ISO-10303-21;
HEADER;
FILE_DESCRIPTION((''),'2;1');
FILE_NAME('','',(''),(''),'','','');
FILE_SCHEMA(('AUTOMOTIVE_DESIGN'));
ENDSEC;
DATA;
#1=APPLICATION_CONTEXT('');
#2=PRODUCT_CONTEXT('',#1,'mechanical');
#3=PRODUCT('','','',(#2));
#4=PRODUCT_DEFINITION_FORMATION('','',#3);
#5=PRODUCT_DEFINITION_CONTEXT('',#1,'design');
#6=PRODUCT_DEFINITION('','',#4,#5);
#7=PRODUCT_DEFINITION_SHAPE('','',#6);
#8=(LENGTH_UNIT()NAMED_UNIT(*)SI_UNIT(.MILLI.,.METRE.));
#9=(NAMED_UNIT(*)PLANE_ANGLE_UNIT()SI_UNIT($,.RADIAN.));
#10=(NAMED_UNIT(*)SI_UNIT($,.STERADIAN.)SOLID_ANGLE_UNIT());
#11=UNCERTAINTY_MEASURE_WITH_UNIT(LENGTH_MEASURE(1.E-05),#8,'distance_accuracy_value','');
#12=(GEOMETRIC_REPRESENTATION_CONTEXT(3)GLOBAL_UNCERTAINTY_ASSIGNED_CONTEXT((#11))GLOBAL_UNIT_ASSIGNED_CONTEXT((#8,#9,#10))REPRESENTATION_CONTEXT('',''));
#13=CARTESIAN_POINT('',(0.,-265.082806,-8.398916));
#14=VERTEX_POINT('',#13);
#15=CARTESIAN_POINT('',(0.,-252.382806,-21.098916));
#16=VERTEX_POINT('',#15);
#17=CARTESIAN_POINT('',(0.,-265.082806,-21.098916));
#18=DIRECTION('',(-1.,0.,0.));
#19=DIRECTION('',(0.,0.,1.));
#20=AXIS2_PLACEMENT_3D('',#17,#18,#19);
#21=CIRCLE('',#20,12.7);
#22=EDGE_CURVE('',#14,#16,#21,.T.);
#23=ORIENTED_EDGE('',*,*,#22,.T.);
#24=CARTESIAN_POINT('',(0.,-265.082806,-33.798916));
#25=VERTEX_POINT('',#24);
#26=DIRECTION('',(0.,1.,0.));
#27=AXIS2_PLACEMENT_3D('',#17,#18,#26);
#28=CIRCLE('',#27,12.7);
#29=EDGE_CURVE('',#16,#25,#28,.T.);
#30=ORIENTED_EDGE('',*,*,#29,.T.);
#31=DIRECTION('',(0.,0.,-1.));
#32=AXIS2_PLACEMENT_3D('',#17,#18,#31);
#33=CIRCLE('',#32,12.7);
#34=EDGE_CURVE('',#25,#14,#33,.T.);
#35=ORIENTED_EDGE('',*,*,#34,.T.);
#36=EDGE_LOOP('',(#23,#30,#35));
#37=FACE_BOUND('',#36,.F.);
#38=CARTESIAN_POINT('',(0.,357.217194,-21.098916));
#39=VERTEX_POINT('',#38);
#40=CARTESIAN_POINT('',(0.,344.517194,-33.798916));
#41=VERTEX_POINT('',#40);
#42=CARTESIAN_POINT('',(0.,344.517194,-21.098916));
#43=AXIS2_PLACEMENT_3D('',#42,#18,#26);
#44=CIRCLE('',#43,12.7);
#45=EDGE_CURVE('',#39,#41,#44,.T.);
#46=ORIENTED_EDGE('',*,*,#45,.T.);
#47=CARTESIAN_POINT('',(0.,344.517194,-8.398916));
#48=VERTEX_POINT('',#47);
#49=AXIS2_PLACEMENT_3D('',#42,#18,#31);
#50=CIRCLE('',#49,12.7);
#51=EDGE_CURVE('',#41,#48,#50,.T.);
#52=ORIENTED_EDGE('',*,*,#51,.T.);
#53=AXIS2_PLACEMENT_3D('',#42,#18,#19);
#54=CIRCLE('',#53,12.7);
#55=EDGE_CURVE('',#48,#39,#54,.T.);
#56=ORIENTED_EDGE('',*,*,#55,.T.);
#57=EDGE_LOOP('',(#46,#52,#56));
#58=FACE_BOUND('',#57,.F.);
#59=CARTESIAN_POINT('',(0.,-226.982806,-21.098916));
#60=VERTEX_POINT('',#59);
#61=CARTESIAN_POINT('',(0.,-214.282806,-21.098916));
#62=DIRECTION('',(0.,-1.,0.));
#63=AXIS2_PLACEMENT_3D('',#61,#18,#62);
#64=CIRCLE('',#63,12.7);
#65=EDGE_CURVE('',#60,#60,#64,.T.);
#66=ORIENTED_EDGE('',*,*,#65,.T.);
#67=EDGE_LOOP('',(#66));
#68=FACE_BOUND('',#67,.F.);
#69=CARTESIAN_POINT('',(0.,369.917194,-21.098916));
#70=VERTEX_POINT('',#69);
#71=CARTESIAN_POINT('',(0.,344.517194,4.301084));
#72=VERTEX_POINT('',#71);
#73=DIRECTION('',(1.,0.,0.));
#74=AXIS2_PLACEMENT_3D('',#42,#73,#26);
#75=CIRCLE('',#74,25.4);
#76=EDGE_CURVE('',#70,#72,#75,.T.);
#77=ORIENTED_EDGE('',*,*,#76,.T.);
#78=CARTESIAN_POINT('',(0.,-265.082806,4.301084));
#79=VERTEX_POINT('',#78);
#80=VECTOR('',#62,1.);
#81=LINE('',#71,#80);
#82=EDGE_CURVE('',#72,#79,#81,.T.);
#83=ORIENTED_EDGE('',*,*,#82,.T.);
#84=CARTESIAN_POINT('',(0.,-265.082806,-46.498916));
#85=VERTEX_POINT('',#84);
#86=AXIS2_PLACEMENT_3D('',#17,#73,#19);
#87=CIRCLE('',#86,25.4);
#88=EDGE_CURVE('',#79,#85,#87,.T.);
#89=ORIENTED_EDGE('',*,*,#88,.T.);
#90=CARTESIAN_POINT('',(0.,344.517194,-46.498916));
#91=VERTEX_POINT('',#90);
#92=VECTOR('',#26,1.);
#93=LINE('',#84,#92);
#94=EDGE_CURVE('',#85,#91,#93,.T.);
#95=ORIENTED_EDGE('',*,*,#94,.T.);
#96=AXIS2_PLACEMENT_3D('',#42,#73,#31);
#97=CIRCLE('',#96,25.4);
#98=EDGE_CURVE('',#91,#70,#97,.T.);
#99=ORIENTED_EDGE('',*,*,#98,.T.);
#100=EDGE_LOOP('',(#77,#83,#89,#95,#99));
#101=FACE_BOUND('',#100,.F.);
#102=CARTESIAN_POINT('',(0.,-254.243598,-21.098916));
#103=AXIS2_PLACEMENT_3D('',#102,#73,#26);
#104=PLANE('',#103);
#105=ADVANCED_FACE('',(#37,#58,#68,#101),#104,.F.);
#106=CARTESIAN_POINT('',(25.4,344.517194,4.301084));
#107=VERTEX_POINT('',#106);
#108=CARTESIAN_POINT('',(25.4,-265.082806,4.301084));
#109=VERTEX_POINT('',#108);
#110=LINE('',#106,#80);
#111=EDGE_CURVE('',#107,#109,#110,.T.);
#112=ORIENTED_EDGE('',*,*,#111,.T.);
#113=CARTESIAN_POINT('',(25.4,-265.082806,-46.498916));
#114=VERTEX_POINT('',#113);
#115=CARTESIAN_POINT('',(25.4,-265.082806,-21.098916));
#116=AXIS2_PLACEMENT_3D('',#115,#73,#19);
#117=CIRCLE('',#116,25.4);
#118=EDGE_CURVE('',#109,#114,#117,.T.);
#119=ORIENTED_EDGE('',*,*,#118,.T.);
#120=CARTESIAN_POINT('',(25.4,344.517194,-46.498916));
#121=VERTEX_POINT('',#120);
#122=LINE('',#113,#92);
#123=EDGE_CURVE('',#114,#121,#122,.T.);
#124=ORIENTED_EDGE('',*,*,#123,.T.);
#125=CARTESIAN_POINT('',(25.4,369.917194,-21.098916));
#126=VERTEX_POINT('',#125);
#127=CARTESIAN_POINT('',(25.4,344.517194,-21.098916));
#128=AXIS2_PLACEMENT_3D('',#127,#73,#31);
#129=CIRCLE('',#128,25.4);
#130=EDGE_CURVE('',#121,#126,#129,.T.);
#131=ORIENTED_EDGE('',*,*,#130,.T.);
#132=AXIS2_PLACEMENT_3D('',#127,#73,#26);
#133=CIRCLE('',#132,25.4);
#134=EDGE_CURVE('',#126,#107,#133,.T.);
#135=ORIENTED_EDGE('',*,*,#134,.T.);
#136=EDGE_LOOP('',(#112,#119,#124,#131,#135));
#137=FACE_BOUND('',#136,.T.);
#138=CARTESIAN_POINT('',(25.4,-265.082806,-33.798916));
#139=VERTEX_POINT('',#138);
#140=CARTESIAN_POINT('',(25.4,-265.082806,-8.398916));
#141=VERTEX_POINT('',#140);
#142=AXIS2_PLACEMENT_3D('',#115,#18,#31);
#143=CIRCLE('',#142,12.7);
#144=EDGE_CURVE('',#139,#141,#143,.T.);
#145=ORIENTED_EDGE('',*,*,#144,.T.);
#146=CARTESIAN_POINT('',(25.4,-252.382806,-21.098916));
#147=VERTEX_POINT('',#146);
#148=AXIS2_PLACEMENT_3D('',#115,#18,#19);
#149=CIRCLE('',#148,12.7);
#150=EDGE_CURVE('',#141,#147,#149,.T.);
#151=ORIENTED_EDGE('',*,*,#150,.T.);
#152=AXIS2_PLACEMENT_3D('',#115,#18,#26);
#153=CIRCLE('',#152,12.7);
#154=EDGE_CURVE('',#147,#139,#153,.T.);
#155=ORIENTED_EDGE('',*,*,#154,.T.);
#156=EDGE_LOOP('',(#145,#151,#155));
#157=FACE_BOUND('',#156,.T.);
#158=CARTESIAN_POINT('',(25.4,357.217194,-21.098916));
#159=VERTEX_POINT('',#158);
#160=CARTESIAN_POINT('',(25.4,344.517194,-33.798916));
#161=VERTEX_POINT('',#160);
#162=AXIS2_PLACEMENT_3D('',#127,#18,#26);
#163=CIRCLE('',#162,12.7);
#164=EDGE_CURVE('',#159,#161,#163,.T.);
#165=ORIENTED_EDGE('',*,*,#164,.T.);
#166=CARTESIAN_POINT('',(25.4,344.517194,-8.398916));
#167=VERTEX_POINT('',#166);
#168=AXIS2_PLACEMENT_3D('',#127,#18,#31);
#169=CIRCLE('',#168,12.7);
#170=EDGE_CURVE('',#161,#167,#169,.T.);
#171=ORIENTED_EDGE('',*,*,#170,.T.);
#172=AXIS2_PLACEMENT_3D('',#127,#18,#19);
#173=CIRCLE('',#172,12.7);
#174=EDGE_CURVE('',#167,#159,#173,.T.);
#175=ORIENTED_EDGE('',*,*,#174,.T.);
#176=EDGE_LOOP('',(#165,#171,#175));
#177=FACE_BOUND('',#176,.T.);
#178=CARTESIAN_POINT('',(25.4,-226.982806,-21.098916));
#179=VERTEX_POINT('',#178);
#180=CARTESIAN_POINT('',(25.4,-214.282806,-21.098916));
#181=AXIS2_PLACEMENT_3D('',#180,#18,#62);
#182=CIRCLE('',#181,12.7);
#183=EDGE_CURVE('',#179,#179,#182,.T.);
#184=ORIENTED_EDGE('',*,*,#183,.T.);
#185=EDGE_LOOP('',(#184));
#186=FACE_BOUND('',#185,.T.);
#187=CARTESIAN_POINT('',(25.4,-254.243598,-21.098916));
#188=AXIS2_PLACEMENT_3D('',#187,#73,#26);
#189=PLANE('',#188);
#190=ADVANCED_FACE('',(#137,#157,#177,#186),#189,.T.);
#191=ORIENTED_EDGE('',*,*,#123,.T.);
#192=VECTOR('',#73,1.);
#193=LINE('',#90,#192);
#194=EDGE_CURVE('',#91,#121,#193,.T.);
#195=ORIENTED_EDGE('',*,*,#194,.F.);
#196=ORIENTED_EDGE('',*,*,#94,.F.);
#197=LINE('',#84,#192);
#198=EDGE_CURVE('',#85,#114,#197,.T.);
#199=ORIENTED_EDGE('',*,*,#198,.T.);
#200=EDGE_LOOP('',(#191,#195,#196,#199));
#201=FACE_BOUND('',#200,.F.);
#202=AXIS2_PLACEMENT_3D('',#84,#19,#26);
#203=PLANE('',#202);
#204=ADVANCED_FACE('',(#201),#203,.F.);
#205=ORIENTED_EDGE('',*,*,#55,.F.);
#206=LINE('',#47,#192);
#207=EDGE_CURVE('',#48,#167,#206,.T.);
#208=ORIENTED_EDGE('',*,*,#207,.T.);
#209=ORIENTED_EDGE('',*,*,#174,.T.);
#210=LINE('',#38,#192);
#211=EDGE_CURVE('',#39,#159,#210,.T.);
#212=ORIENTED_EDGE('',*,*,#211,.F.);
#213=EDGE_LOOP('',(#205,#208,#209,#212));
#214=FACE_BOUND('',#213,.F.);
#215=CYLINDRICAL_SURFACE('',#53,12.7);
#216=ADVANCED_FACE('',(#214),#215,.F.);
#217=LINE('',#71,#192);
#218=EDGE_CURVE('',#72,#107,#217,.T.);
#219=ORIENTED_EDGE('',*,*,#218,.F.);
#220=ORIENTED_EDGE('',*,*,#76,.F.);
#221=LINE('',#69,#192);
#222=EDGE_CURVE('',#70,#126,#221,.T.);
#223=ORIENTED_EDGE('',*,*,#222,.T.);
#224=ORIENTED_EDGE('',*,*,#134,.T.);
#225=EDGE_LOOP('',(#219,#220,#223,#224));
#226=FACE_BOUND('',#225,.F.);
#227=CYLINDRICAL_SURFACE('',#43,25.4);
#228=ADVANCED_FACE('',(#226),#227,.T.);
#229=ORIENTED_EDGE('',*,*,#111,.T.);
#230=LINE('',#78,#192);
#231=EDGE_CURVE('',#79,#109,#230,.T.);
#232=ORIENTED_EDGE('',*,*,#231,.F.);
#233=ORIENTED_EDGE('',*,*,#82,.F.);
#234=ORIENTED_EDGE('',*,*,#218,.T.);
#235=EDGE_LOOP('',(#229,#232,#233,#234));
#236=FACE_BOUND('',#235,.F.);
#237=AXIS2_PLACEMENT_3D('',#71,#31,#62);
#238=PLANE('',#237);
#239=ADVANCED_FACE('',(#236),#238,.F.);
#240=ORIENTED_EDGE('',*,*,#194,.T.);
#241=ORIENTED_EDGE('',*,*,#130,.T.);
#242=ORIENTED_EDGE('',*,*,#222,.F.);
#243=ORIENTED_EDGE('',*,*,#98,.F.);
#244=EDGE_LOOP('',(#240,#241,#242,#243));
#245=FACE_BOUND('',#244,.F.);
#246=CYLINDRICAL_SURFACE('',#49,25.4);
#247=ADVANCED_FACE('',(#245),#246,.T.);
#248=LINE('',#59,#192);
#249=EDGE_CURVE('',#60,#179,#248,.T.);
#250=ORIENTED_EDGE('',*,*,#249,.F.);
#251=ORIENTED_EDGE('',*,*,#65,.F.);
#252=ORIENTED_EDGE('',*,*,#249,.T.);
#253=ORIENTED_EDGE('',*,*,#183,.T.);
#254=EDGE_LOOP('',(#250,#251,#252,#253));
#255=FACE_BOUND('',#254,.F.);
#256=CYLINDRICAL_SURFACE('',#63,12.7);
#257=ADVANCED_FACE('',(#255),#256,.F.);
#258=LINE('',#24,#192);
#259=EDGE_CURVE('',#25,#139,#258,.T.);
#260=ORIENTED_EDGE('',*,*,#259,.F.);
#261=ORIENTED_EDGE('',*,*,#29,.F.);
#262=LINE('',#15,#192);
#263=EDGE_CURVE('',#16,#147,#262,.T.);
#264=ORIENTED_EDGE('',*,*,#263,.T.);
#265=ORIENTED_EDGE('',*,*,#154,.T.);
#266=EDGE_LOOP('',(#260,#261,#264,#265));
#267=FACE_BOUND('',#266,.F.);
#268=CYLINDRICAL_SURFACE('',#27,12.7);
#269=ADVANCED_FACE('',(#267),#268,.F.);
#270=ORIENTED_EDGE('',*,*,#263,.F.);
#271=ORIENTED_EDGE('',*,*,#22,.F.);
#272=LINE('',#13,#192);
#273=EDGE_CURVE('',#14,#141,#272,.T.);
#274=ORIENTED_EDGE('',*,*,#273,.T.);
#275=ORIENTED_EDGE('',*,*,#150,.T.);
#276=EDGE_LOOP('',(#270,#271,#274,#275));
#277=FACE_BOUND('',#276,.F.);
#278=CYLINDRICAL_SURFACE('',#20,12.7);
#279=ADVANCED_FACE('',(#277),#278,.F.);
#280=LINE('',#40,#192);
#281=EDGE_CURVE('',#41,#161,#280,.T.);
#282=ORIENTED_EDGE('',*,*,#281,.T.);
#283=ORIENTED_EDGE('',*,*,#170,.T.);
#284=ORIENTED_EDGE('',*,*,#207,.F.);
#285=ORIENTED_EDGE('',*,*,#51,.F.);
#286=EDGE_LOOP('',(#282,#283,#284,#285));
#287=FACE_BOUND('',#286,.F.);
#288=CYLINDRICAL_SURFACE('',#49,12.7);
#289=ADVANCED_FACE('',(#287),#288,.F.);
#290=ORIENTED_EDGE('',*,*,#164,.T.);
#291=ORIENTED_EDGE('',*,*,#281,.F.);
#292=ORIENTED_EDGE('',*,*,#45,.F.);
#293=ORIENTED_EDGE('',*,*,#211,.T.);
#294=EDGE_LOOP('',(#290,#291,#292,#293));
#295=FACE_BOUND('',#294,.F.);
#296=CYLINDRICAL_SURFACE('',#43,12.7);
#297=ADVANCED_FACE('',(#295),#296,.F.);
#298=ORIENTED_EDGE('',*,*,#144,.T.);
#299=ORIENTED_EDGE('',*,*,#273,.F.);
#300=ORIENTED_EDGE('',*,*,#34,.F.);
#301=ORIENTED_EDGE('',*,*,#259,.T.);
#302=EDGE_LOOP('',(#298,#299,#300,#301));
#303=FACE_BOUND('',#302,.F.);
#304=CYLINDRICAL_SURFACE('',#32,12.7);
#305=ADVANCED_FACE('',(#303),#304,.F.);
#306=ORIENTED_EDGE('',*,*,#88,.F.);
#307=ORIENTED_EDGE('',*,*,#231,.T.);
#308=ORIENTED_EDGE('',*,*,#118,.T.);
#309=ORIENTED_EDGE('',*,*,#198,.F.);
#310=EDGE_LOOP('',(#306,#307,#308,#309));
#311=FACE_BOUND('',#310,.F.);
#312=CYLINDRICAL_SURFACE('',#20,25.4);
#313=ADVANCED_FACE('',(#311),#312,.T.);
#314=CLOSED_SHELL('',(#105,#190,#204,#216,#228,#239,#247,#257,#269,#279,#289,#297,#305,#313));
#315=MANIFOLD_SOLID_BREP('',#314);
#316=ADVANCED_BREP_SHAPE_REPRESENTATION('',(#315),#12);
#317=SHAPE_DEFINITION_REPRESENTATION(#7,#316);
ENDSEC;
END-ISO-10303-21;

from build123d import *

# Parameters (mm, degrees)
F1_DEPTH = 25.4


with BuildPart() as f1:
    # F0 (on Right) → F1 (new body)
    with BuildSketch(Plane.YZ):
        with BuildLine():
            ThreePointArc((-239.6828063071, -21.0989156985), (-247.1222940649, -3.1384034563), (-265.0828063071, 4.3010843015))
            Line((-265.0828063071, 4.3010843015), (-265.0828063071, -8.3989156985))
            ThreePointArc((-265.0828063071, -8.3989156985), (-256.102550186, -12.1186595774), (-252.3828063071, -21.0989156985))
            ThreePointArc((-252.3828063071, -21.0989156985), (-256.102550186, -30.0791718195), (-265.0828063071, -33.7989156985))
            Line((-265.0828063071, -33.7989156985), (-265.0828063071, -46.4989156985))
            ThreePointArc((-265.0828063071, -46.4989156985), (-247.1222940649, -39.0594279406), (-239.6828063071, -21.0989156985))
        make_face()
        with BuildLine():
            Line((344.5171936929, 4.3010843015), (-265.0828063071, 4.3010843015))
            ThreePointArc((-265.0828063071, 4.3010843015), (-247.1222940649, -3.1384034563), (-239.6828063071, -21.0989156985))
            ThreePointArc((-239.6828063071, -21.0989156985), (-247.1222940649, -39.0594279406), (-265.0828063071, -46.4989156985))
            Line((-265.0828063071, -46.4989156985), (344.5171936929, -46.4989156985))
            ThreePointArc((344.5171936929, -46.4989156985), (319.1171936929, -21.0989156985), (344.5171936929, 4.3010843015))
        make_face()
        with BuildLine():
            ThreePointArc((-201.5828063071, -21.0989156985), (-214.2828063071, -33.7989156985), (-226.9828063071, -21.0989156985))
            ThreePointArc((-226.9828063071, -21.0989156985), (-214.2828063071, -8.3989156985), (-201.5828063071, -21.0989156985))
        make_face(mode=Mode.SUBTRACT)
        with BuildLine():
            Line((-265.0828063071, -8.3989156985), (-265.0828063071, 4.3010843015))
            ThreePointArc((-265.0828063071, 4.3010843015), (-290.4828063071, -21.0989156985), (-265.0828063071, -46.4989156985))
            Line((-265.0828063071, -46.4989156985), (-265.0828063071, -33.7989156985))
            ThreePointArc((-265.0828063071, -33.7989156985), (-277.7828063071, -21.0989156985), (-265.0828063071, -8.3989156985))
        make_face()
        with BuildLine():
            ThreePointArc((369.9171936929, -21.0989156985), (362.4777059351, -3.1384034563), (344.5171936929, 4.3010843015))
            Line((344.5171936929, 4.3010843015), (344.5171936929, -8.3989156985))
            ThreePointArc((344.5171936929, -8.3989156985), (353.497449814, -12.1186595774), (357.2171936929, -21.0989156985))
            ThreePointArc((357.2171936929, -21.0989156985), (353.497449814, -30.0791718195), (344.5171936929, -33.7989156985))
            Line((344.5171936929, -33.7989156985), (344.5171936929, -46.4989156985))
            ThreePointArc((344.5171936929, -46.4989156985), (362.4777059351, -39.0594279406), (369.9171936929, -21.0989156985))
        make_face()
        with BuildLine():
            Line((344.5171936929, -8.3989156985), (344.5171936929, 4.3010843015))
            ThreePointArc((344.5171936929, 4.3010843015), (319.1171936929, -21.0989156985), (344.5171936929, -46.4989156985))
            Line((344.5171936929, -46.4989156985), (344.5171936929, -33.7989156985))
            ThreePointArc((344.5171936929, -33.7989156985), (331.8171936929, -21.0989156985), (344.5171936929, -8.3989156985))
        make_face()
    extrude(amount=F1_DEPTH)


solid = f1.part
